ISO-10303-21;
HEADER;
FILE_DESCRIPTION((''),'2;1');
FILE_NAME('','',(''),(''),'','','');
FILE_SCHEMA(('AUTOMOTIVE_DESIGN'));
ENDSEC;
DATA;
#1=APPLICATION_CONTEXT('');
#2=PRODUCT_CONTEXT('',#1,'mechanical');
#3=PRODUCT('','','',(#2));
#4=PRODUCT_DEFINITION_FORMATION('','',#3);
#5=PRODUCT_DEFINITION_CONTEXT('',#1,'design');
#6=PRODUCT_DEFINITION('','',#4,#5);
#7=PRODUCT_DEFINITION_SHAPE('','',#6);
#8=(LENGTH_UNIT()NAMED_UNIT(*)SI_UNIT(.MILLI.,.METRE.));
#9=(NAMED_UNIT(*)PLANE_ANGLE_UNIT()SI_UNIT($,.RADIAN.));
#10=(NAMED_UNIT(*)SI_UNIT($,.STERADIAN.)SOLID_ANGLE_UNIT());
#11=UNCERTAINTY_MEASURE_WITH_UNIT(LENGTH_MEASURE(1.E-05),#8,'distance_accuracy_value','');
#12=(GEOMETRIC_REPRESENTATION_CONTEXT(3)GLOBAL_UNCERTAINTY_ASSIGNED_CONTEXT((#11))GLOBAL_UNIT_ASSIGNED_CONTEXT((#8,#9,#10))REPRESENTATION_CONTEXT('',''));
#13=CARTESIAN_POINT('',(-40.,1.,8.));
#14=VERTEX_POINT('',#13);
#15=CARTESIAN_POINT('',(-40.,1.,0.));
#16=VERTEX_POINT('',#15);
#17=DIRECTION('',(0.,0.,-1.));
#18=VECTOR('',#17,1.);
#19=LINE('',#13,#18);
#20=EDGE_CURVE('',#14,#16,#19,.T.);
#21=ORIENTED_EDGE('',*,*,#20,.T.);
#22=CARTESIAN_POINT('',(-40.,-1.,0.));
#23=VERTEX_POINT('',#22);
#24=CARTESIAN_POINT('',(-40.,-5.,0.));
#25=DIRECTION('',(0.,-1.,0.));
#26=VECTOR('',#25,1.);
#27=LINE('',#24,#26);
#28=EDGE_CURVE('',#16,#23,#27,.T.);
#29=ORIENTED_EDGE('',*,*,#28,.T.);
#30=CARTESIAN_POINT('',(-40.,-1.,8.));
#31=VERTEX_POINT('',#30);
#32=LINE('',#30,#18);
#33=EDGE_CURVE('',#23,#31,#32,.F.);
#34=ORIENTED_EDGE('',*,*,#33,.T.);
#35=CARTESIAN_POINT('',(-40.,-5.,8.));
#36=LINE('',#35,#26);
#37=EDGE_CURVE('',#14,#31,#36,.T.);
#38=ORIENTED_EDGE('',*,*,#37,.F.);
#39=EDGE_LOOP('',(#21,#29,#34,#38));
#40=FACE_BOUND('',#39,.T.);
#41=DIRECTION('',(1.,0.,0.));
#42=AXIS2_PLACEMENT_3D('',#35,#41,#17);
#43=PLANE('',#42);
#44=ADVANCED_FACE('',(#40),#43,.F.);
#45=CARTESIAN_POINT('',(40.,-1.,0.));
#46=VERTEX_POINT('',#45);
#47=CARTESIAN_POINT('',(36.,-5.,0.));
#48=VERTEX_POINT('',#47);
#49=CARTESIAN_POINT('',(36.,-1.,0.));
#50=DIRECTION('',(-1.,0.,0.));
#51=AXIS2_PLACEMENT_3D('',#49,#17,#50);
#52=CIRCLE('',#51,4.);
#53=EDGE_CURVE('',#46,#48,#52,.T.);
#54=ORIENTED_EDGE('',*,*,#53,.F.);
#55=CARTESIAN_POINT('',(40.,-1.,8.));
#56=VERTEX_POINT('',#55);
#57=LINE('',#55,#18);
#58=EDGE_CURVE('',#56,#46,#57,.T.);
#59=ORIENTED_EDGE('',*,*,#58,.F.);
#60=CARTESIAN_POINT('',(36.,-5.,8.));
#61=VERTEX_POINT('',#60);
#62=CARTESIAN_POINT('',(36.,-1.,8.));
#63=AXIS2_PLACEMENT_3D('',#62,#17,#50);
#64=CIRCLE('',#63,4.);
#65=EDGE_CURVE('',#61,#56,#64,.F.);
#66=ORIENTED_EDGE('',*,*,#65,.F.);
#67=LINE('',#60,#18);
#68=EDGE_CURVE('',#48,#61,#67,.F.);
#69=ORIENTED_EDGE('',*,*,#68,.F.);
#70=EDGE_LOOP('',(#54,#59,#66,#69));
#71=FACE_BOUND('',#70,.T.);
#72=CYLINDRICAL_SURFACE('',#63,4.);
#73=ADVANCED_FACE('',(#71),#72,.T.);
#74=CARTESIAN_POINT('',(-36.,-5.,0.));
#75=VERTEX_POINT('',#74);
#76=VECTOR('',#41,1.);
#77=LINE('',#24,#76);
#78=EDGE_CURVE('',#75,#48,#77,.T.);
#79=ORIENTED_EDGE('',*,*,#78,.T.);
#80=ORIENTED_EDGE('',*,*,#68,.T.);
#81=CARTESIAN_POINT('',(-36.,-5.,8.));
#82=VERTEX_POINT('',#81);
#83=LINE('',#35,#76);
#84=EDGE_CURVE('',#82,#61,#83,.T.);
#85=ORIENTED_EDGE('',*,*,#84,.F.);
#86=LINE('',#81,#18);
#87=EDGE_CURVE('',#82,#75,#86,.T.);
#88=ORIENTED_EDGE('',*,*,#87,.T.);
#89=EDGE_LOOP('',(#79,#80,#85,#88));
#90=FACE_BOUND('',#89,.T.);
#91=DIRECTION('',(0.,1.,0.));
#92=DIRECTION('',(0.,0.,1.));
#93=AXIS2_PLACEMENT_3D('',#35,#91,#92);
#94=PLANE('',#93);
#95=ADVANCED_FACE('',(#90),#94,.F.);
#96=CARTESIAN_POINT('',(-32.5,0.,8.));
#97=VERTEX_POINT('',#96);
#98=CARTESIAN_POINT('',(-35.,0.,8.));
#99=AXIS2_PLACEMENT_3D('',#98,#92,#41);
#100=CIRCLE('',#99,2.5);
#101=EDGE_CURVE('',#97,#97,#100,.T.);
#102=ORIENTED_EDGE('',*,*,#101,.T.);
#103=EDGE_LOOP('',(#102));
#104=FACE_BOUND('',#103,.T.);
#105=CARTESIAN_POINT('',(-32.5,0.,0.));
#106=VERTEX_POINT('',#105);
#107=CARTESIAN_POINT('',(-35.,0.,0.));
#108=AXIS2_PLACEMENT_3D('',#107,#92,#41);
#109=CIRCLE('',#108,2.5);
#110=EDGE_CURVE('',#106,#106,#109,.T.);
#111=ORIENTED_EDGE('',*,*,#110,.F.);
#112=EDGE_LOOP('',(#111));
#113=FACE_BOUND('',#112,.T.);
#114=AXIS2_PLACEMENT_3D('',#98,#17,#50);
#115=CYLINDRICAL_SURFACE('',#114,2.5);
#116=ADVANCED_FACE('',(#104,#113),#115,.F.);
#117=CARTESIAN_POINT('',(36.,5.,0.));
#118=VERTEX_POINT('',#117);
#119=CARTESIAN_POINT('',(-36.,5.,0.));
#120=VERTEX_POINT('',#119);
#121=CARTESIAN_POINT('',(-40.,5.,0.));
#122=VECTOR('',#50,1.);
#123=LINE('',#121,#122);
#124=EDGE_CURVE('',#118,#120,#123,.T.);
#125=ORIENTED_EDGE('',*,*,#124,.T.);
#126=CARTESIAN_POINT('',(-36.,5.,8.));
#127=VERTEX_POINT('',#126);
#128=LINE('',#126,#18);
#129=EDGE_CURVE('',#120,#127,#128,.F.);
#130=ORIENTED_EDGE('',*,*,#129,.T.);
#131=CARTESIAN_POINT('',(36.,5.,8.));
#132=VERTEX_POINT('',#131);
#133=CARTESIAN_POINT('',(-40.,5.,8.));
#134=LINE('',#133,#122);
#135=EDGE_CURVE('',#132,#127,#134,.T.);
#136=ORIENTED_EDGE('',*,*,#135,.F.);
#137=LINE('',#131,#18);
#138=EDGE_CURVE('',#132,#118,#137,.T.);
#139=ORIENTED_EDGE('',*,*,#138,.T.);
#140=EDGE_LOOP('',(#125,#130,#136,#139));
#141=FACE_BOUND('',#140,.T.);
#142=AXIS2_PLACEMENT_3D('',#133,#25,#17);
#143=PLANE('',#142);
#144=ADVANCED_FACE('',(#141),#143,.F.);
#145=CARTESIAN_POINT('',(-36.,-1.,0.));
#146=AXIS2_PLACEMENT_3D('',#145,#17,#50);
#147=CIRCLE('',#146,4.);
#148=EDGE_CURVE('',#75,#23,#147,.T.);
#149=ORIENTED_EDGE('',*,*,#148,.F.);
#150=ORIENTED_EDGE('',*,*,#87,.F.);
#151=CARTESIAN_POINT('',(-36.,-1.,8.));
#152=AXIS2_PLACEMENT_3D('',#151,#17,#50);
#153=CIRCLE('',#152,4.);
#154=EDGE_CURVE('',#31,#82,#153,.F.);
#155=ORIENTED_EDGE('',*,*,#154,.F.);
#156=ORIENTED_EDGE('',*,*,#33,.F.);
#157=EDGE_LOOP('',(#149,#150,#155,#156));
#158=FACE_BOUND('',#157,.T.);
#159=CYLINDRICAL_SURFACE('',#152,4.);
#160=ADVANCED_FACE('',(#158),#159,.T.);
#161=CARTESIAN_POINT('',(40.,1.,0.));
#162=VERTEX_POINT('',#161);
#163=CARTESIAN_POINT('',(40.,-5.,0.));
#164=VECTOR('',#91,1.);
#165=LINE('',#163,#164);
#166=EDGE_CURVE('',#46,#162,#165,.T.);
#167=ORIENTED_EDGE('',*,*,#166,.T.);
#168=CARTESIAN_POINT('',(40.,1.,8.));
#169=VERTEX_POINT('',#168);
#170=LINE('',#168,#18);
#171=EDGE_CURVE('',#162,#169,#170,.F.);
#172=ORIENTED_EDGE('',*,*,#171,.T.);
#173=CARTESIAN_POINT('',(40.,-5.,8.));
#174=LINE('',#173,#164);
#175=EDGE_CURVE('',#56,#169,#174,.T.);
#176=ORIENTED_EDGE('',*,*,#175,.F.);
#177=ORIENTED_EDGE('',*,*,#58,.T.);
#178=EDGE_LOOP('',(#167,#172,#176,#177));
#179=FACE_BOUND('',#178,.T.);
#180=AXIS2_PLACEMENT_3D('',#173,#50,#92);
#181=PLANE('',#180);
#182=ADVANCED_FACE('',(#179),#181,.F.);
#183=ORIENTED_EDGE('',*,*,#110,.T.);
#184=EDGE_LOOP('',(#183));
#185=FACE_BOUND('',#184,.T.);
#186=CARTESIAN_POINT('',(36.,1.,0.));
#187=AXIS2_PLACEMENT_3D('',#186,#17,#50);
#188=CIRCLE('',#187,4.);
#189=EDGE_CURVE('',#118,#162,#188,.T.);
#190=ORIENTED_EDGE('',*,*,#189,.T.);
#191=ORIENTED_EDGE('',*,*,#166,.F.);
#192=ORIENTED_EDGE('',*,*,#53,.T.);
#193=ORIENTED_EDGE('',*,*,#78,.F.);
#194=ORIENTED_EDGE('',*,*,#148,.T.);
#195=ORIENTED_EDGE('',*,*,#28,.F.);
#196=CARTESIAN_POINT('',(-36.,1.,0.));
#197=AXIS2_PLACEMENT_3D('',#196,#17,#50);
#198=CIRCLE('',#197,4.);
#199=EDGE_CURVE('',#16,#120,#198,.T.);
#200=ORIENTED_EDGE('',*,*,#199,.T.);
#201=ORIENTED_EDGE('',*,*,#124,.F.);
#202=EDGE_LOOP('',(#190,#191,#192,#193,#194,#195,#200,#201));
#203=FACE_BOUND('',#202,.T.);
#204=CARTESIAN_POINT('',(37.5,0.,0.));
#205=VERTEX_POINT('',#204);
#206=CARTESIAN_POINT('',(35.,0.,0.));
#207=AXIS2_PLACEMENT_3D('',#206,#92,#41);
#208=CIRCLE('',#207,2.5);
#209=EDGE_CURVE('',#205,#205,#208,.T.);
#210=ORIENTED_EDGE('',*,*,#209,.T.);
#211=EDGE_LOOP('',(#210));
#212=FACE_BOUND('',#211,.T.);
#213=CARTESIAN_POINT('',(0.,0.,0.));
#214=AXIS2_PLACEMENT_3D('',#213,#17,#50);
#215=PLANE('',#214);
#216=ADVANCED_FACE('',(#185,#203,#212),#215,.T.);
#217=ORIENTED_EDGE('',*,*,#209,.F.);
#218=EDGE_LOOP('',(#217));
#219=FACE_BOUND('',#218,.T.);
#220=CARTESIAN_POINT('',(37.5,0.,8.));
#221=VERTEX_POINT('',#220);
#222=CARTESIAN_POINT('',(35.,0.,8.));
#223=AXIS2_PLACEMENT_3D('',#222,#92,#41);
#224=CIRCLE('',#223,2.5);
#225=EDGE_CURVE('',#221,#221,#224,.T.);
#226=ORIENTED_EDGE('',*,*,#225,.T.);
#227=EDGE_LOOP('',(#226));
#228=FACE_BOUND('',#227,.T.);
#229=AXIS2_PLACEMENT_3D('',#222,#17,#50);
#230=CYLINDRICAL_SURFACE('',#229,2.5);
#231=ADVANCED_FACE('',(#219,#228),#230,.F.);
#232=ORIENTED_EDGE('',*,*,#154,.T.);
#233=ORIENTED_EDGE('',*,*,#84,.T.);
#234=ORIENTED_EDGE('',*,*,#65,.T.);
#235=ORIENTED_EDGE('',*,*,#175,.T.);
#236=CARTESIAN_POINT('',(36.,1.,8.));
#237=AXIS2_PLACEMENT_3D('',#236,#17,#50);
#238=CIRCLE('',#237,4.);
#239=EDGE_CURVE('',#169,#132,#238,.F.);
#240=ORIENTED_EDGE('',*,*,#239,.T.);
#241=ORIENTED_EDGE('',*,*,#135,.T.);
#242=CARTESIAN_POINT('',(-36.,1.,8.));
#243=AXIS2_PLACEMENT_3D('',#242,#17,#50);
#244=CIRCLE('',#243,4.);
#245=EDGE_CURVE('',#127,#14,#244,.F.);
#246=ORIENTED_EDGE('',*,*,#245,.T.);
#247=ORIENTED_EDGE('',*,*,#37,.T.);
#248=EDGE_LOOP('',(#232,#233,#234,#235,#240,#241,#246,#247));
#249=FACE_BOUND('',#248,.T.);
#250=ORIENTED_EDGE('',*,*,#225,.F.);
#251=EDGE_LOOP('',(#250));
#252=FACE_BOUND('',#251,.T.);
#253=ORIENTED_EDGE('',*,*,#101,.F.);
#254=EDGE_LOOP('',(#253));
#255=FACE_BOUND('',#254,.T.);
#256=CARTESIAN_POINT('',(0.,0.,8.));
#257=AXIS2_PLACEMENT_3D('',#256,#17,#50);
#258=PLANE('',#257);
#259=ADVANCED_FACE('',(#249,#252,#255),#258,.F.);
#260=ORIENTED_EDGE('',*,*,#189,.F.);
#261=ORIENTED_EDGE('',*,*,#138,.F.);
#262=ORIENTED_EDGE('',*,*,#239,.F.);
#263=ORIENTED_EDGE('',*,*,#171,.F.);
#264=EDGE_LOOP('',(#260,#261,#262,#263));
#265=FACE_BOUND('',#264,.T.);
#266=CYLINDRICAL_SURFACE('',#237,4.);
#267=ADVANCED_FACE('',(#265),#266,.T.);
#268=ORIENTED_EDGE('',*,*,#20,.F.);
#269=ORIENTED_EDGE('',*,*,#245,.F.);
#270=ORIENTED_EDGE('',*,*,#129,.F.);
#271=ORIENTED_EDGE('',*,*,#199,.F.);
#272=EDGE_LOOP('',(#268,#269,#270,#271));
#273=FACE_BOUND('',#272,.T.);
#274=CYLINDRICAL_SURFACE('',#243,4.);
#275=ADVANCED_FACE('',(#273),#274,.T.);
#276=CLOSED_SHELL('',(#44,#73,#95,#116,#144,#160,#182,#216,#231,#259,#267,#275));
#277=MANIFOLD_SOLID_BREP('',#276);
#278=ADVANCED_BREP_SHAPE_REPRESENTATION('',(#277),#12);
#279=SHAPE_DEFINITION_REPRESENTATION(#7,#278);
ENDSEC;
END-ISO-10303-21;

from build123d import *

# Parameters (mm, degrees)
SKETCH1_W           = 80
SKETCH1_H           = 10
SKETCH1_R           = 2.5
BOSS_EXTRUDE1_DEPTH = 8
FILLET1_R           = 4


with BuildPart() as part:
    # Sketch1 → Boss-Extrude1 (new body)
    with BuildSketch(Plane.XY):
        Rectangle(SKETCH1_W, SKETCH1_H)
        with Locations((-35, 0)):
            Circle(SKETCH1_R, mode=Mode.SUBTRACT)
        with Locations((35, 0)):
            Circle(SKETCH1_R, mode=Mode.SUBTRACT)
    extrude(amount=BOSS_EXTRUDE1_DEPTH)

    # Fillet1
    fillet1_edges = [part.edges().sort_by_distance(p)[0] for p in [
        (40, -5, 4),
        (-40, -5, 4),
        (-40, 5, 4),
        (40, 5, 4),
    ]]
    fillet(fillet1_edges, radius=FILLET1_R)


solid = part.part
